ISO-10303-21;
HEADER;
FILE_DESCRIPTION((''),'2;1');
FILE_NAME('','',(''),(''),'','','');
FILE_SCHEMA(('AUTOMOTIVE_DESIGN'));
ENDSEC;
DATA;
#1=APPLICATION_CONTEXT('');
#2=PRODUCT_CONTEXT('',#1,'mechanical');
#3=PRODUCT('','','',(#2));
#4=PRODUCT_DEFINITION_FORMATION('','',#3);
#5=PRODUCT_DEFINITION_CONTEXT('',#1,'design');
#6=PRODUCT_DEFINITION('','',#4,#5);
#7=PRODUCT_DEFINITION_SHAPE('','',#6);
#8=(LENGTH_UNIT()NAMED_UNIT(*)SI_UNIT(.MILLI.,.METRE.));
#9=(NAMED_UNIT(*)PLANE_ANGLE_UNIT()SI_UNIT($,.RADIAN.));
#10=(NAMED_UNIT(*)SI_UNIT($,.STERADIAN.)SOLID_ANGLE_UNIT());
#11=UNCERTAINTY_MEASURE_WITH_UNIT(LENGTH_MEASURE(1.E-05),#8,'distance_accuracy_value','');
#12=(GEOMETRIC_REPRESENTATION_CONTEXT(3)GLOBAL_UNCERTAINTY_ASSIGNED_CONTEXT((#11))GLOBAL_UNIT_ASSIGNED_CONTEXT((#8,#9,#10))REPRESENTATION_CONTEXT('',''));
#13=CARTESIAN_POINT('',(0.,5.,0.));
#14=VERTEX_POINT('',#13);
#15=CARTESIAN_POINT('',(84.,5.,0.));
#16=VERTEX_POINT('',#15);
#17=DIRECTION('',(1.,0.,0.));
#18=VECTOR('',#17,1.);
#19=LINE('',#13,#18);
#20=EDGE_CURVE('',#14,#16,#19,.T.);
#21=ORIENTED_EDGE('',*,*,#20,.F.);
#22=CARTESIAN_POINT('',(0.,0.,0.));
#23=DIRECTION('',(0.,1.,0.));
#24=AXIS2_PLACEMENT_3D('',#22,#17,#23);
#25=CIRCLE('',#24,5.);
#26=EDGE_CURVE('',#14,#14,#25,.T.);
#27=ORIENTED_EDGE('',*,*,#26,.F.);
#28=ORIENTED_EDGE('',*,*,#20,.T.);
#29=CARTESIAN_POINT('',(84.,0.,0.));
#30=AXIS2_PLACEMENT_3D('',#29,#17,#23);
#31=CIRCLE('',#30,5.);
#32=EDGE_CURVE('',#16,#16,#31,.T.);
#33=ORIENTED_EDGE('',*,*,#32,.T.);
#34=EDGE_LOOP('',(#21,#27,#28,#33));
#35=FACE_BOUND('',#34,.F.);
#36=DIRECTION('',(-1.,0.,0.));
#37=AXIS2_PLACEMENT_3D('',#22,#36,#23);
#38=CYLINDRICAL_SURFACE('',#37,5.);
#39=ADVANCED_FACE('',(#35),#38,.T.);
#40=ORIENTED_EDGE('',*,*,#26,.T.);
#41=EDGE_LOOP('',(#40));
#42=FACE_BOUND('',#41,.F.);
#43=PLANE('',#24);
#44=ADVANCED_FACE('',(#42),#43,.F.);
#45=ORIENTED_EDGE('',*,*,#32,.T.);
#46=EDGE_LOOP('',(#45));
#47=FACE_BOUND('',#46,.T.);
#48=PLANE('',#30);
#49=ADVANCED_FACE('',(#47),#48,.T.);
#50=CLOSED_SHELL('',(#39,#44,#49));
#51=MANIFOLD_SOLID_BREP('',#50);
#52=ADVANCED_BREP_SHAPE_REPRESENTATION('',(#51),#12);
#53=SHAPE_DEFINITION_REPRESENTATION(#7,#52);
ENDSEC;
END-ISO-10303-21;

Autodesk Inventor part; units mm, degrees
ref_plane "YZ Plane" through (0, 0, 0) normal (1, 0, 0) x (0, 1, 0)
ref_plane "XZ Plane" through (0, 0, 0) normal (0, 1, 0) x (-1, 0, 0)
ref_plane "XY Plane" through (0, 0, 0) normal (0, 0, 1) x (1, 0, 0)
sketch "スケッチ1" plane through (0, 0, 0) normal (1, 0, 0) x (0, 1, 0)
  circle A0 centre (0, 0) radius 5
  dimension "d0" = 10
extrude "押し出し1" add sketch "スケッチ1" along normal blind 84
properties part number "belt_liner_v1_shaft-84" material "アルミニウム 6061"
